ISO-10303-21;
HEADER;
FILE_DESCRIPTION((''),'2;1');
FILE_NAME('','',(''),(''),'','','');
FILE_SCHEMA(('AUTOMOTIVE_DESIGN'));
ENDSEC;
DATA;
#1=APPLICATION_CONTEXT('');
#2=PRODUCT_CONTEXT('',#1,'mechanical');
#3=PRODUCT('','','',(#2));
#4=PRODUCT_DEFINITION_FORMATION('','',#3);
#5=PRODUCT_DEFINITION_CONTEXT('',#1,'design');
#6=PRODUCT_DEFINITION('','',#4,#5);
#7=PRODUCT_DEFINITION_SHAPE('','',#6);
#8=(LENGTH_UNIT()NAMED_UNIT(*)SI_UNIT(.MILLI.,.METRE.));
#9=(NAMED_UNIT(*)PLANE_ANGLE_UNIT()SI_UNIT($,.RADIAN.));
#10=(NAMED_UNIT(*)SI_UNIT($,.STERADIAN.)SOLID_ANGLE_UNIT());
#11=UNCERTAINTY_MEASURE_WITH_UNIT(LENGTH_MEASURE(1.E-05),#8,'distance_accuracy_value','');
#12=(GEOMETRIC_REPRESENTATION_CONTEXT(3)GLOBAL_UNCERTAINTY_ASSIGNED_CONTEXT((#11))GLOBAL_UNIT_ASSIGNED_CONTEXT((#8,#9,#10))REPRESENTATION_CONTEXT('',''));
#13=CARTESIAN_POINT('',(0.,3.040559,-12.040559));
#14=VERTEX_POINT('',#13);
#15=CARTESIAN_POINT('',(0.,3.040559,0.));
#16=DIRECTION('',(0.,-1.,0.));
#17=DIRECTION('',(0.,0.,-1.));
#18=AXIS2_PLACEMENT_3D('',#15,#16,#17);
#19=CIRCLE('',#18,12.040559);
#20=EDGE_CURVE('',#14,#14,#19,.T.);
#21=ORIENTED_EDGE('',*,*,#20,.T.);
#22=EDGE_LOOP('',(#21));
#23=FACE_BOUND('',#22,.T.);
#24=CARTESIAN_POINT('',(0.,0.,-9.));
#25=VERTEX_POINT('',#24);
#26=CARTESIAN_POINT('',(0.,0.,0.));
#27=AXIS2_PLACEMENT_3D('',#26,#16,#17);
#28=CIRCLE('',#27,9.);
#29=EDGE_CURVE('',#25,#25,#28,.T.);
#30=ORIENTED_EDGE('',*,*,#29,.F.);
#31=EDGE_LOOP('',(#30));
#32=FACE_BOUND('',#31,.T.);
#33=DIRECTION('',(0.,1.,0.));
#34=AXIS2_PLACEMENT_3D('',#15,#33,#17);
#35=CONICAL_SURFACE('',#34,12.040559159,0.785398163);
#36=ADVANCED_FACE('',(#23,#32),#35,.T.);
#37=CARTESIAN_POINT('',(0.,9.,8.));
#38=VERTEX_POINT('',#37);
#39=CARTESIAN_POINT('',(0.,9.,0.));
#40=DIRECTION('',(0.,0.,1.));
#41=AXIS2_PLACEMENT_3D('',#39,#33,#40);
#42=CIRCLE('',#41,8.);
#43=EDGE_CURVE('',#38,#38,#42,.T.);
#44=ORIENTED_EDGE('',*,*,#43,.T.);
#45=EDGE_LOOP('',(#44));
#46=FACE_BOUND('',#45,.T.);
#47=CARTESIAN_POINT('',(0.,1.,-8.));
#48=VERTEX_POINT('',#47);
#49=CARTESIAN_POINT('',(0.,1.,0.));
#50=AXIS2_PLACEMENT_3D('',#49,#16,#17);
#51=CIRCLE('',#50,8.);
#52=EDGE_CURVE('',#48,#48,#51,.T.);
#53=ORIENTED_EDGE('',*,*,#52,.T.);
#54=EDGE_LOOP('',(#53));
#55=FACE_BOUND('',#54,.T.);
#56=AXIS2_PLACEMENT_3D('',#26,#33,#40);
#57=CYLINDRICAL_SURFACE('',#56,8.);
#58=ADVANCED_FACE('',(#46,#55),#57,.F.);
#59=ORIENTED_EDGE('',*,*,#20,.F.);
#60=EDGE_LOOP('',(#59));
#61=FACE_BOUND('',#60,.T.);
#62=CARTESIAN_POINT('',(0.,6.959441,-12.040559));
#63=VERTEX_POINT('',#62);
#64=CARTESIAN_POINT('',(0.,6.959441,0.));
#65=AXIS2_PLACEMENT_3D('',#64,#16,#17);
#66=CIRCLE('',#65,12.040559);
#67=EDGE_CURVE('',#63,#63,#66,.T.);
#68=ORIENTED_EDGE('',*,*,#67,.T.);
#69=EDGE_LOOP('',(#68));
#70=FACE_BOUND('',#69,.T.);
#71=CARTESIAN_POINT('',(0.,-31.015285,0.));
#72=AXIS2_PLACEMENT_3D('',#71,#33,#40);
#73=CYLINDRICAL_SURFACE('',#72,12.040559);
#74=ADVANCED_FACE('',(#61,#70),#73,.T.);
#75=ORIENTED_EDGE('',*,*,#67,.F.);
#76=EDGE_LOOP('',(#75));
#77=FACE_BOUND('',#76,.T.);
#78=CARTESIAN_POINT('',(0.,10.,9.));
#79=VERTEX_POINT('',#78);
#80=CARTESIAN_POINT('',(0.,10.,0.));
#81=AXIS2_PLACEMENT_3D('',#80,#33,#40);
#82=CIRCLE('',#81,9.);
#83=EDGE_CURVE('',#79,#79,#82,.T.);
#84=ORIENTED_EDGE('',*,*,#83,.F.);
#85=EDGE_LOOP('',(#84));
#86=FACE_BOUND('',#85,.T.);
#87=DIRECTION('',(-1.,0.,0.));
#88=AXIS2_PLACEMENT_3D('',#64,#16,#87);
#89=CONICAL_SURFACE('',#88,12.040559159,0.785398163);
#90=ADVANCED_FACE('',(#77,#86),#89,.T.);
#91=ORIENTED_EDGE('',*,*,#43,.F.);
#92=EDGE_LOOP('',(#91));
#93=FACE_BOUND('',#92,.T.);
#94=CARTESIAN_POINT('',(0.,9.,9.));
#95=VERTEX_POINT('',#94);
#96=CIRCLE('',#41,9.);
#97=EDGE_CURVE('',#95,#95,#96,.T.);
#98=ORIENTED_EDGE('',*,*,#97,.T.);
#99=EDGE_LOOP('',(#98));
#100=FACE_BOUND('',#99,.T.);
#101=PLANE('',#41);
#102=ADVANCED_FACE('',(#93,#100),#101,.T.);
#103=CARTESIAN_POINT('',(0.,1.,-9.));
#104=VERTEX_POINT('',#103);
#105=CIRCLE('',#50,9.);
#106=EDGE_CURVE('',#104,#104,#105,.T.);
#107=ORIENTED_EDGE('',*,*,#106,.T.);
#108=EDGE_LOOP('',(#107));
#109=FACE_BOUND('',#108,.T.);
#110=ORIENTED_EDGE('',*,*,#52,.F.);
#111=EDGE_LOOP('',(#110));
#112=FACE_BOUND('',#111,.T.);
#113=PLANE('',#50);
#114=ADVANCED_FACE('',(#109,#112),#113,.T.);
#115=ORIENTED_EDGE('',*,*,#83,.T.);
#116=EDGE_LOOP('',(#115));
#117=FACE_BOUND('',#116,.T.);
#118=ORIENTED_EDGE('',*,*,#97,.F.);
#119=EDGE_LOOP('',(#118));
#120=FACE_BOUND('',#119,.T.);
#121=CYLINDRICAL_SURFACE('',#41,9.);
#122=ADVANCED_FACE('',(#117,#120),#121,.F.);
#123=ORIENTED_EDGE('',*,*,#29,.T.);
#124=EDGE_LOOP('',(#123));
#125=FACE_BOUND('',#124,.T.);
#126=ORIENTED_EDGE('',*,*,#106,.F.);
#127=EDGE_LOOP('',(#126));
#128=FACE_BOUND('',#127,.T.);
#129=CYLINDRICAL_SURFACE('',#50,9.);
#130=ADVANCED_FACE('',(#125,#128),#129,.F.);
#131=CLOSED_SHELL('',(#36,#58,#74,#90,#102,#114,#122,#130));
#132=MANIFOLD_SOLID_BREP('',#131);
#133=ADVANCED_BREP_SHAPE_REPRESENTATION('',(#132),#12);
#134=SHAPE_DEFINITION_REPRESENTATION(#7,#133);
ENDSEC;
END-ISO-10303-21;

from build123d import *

# Parameters (mm, degrees)
SKETCH1_R           = 9
BOSS_EXTRUDE3_DEPTH = 10
SKETCH54_R          = 12.040559159
BOSS_EXTRUDE5_DEPTH = 3.040559
BOSS_EXTRUDE5_TAPER = 45
SKETCH55_R          = 12.040559159
BOSS_EXTRUDE6_DEPTH = 3.040559
BOSS_EXTRUDE6_TAPER = 45
SKETCH56_R          = 12.040559159
BOSS_EXTRUDE7_DEPTH = 3.918882
SKETCH53_R          = 8
CUT_EXTRUDE7_DEPTH  = 11.0000001
SKETCH57_R          = 9
SKETCH57_R_2        = 8
CUT_EXTRUDE8_DEPTH  = 1
SKETCH59_R          = 9
SKETCH59_R_2        = 8
CUT_EXTRUDE9_DEPTH  = 1


with BuildPart() as part:
    # Sketch1 → Boss-Extrude3 (new body)
    with BuildSketch(Plane(origin=(0, 0, 0), x_dir=(1, 0, 0), z_dir=(0, 1, 0))):
        Circle(SKETCH1_R)
    extrude(amount=BOSS_EXTRUDE3_DEPTH)

    # Sketch54 → Boss-Extrude5 (add)
    with BuildSketch(Plane(origin=(0, 6.959440841, 0), x_dir=(1, 0, 0), z_dir=(0, 1, 0))):
        Circle(SKETCH54_R)
    extrude(amount=BOSS_EXTRUDE5_DEPTH, taper=BOSS_EXTRUDE5_TAPER)

    # Sketch55 → Boss-Extrude6 (add)
    with BuildSketch(Plane.XZ.offset(-3.040559159)):
        Circle(SKETCH55_R)
    extrude(amount=BOSS_EXTRUDE6_DEPTH, taper=BOSS_EXTRUDE6_TAPER)

    # Sketch56 → Boss-Extrude7 (add)
    with BuildSketch(Plane(origin=(0, 6.959440841, 0), x_dir=(-1, 0, 0), z_dir=(0, -1, 0))):
        Circle(SKETCH56_R)
    extrude(amount=BOSS_EXTRUDE7_DEPTH)

    # Sketch53 → Cut-Extrude7 (cut, through all)
    with BuildSketch(Plane(origin=(0, 10, 0), x_dir=(1, 0, 0), z_dir=(0, 1, 0))):
        Circle(SKETCH53_R)
    extrude(amount=-CUT_EXTRUDE7_DEPTH, mode=Mode.SUBTRACT)

    # Sketch57 → Cut-Extrude8 (cut)
    with BuildSketch(Plane(origin=(0, 0, 0), x_dir=(-1, 0, 0), z_dir=(0, -1, 0))):
        Circle(SKETCH57_R)
        Circle(SKETCH57_R_2, mode=Mode.SUBTRACT)
    extrude(amount=-CUT_EXTRUDE8_DEPTH, mode=Mode.SUBTRACT)

    # Sketch59 → Cut-Extrude9 (cut)
    with BuildSketch(Plane(origin=(0, 10, 0), x_dir=(1, 0, 0), z_dir=(0, 1, 0))):
        Circle(SKETCH59_R)
        Circle(SKETCH59_R_2, mode=Mode.SUBTRACT)
    extrude(amount=-CUT_EXTRUDE9_DEPTH, mode=Mode.SUBTRACT)


solid = part.part
